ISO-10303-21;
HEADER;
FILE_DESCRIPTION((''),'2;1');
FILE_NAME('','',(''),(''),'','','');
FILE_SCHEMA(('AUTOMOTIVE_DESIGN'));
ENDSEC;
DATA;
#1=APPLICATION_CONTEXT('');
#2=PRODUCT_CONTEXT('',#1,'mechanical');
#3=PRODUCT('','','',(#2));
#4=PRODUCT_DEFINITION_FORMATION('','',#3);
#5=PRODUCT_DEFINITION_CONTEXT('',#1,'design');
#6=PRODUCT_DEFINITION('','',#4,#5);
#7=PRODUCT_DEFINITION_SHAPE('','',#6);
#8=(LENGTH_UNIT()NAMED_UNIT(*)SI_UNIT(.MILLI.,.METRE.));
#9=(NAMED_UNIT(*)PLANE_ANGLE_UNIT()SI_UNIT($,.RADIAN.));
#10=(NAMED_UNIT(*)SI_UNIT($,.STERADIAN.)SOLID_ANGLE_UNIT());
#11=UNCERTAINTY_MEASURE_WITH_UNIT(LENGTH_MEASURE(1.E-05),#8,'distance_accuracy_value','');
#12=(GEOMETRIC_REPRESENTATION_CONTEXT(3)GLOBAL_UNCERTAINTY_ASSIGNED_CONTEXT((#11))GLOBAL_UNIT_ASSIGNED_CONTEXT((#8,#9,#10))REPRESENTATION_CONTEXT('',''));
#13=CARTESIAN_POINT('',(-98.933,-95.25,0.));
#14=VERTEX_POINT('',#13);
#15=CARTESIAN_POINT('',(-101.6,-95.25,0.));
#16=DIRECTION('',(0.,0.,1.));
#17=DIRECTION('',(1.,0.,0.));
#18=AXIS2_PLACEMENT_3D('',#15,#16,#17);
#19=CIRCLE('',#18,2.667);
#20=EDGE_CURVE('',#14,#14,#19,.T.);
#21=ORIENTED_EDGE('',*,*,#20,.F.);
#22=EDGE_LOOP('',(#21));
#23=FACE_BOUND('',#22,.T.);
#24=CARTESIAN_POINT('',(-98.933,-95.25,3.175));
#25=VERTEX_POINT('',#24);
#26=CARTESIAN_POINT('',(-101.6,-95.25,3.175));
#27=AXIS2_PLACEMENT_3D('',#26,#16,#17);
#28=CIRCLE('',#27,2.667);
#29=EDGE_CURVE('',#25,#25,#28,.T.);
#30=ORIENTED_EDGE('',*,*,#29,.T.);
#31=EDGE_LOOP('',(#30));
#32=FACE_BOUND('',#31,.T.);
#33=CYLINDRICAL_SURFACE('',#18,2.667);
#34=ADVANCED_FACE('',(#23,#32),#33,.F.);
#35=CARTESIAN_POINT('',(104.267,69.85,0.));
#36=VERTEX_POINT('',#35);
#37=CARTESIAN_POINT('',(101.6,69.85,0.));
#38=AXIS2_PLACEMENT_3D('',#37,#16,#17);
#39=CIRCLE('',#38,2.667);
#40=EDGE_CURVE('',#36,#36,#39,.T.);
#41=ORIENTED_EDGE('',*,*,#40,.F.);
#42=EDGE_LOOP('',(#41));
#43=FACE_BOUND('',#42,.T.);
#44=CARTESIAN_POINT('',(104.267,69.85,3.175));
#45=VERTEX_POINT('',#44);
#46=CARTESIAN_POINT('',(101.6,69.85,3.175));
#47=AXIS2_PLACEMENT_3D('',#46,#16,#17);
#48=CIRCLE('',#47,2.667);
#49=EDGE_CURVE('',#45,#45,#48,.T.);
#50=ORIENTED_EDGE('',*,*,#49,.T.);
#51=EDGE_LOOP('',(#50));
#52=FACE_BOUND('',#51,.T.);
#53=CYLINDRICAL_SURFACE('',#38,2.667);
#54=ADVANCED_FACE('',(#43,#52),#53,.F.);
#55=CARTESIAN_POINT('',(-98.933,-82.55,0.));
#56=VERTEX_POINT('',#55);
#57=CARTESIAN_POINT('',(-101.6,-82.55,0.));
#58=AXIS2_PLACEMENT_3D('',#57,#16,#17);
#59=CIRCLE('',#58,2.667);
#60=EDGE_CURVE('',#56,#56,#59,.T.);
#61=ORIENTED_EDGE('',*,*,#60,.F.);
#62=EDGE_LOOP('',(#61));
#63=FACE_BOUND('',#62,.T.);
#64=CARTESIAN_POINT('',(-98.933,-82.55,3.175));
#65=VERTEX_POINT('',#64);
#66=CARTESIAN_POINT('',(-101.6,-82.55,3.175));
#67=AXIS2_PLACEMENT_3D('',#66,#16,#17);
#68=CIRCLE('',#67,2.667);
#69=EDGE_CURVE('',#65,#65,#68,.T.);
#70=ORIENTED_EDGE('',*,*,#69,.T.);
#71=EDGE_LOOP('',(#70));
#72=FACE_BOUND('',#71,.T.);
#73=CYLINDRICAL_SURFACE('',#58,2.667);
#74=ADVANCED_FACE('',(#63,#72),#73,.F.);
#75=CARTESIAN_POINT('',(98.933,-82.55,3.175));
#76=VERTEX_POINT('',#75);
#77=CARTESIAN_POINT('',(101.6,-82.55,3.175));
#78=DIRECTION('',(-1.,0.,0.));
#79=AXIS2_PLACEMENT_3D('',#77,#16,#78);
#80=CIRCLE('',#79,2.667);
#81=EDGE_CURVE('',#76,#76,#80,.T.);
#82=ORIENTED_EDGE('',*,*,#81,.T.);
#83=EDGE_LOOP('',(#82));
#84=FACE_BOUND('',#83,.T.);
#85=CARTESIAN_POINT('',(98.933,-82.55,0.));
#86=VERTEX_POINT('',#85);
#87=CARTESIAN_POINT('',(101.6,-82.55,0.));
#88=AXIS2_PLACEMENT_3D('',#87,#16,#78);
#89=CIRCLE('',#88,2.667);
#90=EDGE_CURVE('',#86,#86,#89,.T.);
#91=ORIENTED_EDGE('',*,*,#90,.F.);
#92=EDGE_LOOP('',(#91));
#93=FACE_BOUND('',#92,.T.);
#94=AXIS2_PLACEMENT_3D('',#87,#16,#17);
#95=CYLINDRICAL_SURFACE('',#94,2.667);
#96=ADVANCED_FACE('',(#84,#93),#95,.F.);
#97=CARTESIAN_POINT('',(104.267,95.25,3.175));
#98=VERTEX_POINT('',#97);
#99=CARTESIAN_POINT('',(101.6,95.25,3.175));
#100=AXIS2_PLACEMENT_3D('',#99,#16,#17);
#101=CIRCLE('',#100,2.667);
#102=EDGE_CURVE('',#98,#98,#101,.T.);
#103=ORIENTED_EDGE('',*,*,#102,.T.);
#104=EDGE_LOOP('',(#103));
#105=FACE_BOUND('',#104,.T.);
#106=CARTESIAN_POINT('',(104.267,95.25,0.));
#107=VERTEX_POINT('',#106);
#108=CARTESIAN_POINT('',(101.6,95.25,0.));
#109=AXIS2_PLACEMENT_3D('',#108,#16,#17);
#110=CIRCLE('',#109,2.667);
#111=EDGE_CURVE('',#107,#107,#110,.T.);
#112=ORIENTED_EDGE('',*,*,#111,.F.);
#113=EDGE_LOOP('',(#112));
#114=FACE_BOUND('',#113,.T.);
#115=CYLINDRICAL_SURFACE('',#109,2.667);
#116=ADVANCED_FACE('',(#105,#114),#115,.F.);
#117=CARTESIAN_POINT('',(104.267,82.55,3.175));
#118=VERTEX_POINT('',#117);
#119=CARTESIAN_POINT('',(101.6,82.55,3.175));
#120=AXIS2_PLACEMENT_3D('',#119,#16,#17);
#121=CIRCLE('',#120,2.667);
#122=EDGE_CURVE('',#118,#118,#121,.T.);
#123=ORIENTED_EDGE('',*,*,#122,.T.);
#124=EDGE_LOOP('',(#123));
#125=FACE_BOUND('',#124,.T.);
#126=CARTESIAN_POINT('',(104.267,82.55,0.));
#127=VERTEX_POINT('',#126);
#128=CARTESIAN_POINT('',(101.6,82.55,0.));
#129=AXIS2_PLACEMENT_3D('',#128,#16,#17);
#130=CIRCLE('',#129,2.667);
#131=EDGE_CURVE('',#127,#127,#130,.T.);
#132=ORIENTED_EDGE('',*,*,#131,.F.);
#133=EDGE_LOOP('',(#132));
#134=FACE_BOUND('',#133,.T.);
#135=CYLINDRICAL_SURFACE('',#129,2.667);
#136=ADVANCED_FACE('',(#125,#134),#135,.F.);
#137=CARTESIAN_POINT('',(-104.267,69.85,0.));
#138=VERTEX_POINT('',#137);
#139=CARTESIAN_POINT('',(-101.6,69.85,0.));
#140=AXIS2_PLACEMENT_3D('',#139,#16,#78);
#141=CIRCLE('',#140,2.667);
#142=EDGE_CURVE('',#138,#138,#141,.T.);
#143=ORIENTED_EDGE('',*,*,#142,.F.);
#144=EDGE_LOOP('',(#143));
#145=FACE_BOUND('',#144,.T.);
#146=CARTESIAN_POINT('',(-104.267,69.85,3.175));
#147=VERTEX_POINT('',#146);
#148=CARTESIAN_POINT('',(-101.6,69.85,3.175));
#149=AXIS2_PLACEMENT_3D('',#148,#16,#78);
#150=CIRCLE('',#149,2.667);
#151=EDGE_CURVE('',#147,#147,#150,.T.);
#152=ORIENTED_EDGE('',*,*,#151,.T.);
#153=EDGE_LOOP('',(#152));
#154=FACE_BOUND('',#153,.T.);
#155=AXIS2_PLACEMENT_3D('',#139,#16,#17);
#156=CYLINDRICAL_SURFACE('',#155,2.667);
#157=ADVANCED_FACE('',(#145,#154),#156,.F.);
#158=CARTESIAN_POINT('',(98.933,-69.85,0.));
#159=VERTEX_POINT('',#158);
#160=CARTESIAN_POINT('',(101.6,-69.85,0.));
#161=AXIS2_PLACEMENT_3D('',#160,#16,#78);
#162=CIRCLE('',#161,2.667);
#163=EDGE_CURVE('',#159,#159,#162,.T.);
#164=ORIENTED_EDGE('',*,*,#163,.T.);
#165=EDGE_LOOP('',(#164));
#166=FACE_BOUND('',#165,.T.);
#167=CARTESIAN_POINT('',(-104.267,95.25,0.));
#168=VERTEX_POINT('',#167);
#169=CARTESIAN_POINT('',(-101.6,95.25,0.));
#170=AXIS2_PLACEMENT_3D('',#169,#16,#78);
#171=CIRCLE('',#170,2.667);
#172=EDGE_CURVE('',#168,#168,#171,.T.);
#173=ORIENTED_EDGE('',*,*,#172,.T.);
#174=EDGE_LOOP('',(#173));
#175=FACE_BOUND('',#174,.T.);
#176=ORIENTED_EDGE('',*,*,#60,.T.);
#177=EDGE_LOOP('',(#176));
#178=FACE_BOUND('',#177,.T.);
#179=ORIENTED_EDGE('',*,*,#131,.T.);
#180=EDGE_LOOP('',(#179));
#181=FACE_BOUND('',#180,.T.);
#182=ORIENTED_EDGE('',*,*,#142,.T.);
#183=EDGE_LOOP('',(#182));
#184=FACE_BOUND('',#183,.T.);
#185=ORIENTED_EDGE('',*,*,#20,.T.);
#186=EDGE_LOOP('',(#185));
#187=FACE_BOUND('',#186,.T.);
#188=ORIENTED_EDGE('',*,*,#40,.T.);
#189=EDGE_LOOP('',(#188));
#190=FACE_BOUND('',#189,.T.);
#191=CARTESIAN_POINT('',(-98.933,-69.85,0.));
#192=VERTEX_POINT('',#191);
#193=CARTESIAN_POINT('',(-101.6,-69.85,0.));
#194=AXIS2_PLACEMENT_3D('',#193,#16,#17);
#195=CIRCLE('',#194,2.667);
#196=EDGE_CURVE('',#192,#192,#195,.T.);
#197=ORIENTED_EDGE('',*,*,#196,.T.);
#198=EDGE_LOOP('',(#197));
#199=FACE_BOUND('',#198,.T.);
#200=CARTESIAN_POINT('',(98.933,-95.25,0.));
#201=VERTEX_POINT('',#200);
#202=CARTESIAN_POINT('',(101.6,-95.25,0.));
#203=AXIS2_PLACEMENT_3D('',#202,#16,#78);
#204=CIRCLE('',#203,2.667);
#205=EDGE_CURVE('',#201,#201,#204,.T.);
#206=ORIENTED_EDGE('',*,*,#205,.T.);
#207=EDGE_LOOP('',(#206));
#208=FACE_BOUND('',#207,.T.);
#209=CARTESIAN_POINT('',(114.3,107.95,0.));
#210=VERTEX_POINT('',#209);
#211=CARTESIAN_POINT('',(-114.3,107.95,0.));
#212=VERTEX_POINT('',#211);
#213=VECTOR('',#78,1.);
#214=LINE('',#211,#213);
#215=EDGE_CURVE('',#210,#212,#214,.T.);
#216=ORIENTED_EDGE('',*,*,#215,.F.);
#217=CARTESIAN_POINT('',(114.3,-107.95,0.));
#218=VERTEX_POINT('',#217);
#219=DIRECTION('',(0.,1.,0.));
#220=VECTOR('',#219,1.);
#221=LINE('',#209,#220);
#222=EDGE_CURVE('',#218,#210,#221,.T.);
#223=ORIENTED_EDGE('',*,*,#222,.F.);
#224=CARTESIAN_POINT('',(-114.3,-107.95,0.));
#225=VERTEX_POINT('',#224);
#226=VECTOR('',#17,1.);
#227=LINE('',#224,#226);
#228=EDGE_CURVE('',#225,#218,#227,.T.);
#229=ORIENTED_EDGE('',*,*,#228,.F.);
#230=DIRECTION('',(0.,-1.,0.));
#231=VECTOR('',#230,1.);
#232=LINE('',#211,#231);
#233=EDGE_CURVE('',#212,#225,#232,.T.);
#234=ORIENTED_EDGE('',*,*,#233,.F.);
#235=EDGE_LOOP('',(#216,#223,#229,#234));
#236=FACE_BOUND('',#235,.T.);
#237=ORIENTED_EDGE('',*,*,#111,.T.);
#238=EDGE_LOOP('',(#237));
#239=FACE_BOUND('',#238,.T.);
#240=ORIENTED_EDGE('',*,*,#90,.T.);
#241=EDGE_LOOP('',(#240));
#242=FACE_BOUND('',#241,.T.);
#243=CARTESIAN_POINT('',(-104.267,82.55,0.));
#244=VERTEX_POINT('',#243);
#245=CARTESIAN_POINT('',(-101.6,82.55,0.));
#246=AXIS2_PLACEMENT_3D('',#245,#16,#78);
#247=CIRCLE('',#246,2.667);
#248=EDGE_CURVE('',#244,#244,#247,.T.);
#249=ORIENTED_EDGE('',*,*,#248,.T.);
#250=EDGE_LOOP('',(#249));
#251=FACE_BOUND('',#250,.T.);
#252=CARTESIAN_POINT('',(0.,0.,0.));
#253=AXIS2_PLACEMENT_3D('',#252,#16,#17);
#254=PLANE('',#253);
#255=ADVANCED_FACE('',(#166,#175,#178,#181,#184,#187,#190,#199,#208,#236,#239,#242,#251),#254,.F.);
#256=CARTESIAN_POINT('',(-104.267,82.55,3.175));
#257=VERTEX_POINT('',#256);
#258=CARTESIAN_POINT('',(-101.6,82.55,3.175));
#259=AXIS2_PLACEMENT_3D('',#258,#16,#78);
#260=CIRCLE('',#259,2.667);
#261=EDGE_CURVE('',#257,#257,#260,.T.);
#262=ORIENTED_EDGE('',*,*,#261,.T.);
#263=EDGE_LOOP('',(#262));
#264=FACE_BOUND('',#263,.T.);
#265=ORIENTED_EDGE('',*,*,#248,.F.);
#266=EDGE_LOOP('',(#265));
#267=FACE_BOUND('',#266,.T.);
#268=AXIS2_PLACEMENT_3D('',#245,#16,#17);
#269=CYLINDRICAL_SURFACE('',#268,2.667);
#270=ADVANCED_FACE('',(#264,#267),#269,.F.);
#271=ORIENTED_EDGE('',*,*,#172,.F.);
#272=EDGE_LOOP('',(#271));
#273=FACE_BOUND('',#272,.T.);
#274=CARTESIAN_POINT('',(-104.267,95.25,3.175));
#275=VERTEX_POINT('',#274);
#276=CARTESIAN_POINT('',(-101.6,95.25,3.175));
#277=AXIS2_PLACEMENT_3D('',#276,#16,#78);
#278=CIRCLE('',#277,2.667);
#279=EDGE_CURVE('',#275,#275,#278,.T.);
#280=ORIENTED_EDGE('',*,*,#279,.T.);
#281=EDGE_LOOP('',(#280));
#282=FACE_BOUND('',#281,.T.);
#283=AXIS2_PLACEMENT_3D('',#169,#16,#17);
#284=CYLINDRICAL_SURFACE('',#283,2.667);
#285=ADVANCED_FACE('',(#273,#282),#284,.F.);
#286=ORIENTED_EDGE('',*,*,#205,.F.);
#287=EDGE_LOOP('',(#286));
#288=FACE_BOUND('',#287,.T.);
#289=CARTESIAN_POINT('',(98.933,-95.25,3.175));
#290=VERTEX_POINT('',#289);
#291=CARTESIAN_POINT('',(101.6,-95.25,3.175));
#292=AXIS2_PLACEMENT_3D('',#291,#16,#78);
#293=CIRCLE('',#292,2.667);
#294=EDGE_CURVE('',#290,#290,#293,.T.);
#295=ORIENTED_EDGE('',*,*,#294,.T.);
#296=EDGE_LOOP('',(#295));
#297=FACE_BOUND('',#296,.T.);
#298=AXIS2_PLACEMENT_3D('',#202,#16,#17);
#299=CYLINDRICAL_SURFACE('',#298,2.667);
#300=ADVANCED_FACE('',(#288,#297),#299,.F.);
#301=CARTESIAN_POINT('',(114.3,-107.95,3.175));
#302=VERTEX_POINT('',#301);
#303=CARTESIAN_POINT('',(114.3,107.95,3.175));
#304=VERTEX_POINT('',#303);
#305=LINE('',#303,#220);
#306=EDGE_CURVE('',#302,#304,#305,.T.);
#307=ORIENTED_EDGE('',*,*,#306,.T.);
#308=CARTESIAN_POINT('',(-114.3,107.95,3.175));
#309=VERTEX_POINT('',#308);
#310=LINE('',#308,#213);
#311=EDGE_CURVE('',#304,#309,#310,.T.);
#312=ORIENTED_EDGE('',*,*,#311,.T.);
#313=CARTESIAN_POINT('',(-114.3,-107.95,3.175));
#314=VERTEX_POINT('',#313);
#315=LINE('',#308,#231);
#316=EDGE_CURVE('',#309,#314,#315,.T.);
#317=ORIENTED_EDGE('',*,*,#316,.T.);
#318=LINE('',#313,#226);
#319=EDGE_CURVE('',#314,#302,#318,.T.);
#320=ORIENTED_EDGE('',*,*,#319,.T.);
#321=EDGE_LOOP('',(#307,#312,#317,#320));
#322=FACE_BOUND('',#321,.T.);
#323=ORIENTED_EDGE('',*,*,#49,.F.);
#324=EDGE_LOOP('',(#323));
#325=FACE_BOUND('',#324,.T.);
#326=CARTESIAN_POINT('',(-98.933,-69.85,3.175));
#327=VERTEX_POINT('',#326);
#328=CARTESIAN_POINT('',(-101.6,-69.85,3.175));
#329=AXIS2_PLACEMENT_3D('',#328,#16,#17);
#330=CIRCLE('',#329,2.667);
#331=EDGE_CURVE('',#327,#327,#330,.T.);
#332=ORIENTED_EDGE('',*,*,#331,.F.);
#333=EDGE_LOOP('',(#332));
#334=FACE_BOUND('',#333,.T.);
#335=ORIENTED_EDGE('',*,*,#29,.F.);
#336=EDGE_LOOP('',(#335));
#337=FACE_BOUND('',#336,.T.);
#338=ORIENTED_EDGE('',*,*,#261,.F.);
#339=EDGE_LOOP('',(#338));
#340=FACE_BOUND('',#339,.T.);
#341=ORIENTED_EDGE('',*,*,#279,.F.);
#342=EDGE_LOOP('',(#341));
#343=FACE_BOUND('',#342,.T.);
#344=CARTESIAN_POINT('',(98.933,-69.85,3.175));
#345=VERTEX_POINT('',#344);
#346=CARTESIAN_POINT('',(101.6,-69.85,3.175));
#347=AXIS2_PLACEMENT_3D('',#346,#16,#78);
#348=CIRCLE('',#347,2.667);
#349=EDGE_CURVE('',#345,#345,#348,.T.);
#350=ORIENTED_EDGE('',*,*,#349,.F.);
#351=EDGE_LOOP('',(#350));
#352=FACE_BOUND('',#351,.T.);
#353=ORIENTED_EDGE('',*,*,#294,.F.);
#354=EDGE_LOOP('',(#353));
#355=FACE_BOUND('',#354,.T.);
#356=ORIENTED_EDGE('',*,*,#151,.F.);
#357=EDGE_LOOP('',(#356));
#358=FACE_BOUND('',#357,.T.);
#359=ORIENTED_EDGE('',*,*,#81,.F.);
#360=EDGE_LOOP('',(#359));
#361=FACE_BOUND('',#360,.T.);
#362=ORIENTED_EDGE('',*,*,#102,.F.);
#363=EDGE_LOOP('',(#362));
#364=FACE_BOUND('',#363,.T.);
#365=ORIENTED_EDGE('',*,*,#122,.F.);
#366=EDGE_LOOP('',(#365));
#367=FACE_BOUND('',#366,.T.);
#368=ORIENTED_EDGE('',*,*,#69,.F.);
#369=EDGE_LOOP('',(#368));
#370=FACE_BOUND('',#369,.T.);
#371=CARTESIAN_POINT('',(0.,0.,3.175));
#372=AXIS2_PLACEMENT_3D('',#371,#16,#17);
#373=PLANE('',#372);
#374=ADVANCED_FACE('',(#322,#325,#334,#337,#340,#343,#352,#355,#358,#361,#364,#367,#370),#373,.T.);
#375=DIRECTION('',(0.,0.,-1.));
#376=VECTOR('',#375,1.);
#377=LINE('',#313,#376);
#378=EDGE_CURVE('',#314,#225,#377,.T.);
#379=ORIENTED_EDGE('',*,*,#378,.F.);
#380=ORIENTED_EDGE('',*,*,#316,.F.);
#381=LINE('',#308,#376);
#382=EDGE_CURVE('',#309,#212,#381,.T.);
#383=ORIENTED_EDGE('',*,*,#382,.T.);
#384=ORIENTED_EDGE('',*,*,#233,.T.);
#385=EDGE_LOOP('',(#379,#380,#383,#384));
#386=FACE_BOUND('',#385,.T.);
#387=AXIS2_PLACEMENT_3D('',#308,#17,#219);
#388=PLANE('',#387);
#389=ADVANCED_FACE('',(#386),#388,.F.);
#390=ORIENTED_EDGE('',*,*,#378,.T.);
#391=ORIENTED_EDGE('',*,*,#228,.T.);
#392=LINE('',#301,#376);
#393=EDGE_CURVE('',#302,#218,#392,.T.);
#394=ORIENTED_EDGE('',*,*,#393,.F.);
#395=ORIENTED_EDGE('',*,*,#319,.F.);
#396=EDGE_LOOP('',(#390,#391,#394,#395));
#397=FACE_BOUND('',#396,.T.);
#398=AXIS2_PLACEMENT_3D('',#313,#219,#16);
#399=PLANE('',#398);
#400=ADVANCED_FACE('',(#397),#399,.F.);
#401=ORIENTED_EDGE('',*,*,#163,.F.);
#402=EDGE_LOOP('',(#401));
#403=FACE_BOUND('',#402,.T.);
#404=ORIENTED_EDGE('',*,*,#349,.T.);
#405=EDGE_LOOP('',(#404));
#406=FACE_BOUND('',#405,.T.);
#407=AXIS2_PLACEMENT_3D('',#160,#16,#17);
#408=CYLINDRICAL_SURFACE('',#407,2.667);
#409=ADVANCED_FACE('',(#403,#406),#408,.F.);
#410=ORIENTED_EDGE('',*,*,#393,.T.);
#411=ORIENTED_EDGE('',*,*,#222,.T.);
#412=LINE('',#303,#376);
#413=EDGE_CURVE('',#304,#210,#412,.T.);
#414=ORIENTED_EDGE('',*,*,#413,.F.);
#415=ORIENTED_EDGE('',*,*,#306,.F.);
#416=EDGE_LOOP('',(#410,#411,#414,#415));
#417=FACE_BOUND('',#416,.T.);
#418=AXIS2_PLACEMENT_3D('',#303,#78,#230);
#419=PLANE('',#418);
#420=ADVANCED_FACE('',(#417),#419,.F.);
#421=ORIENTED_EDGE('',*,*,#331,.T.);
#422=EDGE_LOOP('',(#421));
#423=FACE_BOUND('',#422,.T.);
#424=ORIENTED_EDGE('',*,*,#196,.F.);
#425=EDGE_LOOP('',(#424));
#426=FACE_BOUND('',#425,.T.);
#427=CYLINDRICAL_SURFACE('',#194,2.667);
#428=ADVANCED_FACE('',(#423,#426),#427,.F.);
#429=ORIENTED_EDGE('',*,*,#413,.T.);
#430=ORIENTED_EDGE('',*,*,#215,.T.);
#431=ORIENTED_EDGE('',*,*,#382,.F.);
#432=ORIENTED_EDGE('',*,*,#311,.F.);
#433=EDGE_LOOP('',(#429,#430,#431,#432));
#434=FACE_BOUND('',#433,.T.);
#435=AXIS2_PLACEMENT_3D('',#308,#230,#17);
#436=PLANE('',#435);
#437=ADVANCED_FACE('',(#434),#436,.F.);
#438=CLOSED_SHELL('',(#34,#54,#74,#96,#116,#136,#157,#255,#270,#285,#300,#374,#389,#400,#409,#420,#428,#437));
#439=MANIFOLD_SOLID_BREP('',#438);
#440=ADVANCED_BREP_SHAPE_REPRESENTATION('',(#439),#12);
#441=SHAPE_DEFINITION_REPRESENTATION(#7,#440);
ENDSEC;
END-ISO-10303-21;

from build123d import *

# Parameters (mm, degrees)
SKETCH1_W           = 228.6
SKETCH1_H           = 215.9
BOSS_EXTRUDE1_DEPTH = 3.175
SKETCH2_R           = 2.667
CUT_EXTRUDE1_DEPTH  = 3.175


with BuildPart() as part:
    # Sketch1 → Boss-Extrude1 (new body)
    with BuildSketch(Plane.XY):
        Rectangle(SKETCH1_W, SKETCH1_H)
    extrude(amount=BOSS_EXTRUDE1_DEPTH)

    # Sketch2 → Cut-Extrude1 (cut)
    with BuildSketch(Plane.XY.offset(3.175)):
        with Locations((-101.6, -69.85)):
            Circle(SKETCH2_R)
        with Locations((-101.6, -82.55)):
            Circle(SKETCH2_R)
        with Locations((-101.6, -95.25)):
            Circle(SKETCH2_R)
        with Locations(Location((-101.6, 95.25, 0), (0, 0, 180))):
            Circle(SKETCH2_R)
        with Locations(Location((-101.6, 82.55, 0), (0, 0, 180))):
            Circle(SKETCH2_R)
        with Locations(Location((-101.6, 69.85, 0), (0, 0, 180))):
            Circle(SKETCH2_R)
        with Locations((101.6, 95.25)):
            Circle(SKETCH2_R)
        with Locations((101.6, 82.55)):
            Circle(SKETCH2_R)
        with Locations((101.6, 69.85)):
            Circle(SKETCH2_R)
        with Locations(Location((101.6, -95.25, 0), (0, 0, 180))):
            Circle(SKETCH2_R)
        with Locations(Location((101.6, -82.55, 0), (0, 0, 180))):
            Circle(SKETCH2_R)
        with Locations(Location((101.6, -69.85, 0), (0, 0, 180))):
            Circle(SKETCH2_R)
    extrude(amount=-CUT_EXTRUDE1_DEPTH, mode=Mode.SUBTRACT)


solid = part.part
